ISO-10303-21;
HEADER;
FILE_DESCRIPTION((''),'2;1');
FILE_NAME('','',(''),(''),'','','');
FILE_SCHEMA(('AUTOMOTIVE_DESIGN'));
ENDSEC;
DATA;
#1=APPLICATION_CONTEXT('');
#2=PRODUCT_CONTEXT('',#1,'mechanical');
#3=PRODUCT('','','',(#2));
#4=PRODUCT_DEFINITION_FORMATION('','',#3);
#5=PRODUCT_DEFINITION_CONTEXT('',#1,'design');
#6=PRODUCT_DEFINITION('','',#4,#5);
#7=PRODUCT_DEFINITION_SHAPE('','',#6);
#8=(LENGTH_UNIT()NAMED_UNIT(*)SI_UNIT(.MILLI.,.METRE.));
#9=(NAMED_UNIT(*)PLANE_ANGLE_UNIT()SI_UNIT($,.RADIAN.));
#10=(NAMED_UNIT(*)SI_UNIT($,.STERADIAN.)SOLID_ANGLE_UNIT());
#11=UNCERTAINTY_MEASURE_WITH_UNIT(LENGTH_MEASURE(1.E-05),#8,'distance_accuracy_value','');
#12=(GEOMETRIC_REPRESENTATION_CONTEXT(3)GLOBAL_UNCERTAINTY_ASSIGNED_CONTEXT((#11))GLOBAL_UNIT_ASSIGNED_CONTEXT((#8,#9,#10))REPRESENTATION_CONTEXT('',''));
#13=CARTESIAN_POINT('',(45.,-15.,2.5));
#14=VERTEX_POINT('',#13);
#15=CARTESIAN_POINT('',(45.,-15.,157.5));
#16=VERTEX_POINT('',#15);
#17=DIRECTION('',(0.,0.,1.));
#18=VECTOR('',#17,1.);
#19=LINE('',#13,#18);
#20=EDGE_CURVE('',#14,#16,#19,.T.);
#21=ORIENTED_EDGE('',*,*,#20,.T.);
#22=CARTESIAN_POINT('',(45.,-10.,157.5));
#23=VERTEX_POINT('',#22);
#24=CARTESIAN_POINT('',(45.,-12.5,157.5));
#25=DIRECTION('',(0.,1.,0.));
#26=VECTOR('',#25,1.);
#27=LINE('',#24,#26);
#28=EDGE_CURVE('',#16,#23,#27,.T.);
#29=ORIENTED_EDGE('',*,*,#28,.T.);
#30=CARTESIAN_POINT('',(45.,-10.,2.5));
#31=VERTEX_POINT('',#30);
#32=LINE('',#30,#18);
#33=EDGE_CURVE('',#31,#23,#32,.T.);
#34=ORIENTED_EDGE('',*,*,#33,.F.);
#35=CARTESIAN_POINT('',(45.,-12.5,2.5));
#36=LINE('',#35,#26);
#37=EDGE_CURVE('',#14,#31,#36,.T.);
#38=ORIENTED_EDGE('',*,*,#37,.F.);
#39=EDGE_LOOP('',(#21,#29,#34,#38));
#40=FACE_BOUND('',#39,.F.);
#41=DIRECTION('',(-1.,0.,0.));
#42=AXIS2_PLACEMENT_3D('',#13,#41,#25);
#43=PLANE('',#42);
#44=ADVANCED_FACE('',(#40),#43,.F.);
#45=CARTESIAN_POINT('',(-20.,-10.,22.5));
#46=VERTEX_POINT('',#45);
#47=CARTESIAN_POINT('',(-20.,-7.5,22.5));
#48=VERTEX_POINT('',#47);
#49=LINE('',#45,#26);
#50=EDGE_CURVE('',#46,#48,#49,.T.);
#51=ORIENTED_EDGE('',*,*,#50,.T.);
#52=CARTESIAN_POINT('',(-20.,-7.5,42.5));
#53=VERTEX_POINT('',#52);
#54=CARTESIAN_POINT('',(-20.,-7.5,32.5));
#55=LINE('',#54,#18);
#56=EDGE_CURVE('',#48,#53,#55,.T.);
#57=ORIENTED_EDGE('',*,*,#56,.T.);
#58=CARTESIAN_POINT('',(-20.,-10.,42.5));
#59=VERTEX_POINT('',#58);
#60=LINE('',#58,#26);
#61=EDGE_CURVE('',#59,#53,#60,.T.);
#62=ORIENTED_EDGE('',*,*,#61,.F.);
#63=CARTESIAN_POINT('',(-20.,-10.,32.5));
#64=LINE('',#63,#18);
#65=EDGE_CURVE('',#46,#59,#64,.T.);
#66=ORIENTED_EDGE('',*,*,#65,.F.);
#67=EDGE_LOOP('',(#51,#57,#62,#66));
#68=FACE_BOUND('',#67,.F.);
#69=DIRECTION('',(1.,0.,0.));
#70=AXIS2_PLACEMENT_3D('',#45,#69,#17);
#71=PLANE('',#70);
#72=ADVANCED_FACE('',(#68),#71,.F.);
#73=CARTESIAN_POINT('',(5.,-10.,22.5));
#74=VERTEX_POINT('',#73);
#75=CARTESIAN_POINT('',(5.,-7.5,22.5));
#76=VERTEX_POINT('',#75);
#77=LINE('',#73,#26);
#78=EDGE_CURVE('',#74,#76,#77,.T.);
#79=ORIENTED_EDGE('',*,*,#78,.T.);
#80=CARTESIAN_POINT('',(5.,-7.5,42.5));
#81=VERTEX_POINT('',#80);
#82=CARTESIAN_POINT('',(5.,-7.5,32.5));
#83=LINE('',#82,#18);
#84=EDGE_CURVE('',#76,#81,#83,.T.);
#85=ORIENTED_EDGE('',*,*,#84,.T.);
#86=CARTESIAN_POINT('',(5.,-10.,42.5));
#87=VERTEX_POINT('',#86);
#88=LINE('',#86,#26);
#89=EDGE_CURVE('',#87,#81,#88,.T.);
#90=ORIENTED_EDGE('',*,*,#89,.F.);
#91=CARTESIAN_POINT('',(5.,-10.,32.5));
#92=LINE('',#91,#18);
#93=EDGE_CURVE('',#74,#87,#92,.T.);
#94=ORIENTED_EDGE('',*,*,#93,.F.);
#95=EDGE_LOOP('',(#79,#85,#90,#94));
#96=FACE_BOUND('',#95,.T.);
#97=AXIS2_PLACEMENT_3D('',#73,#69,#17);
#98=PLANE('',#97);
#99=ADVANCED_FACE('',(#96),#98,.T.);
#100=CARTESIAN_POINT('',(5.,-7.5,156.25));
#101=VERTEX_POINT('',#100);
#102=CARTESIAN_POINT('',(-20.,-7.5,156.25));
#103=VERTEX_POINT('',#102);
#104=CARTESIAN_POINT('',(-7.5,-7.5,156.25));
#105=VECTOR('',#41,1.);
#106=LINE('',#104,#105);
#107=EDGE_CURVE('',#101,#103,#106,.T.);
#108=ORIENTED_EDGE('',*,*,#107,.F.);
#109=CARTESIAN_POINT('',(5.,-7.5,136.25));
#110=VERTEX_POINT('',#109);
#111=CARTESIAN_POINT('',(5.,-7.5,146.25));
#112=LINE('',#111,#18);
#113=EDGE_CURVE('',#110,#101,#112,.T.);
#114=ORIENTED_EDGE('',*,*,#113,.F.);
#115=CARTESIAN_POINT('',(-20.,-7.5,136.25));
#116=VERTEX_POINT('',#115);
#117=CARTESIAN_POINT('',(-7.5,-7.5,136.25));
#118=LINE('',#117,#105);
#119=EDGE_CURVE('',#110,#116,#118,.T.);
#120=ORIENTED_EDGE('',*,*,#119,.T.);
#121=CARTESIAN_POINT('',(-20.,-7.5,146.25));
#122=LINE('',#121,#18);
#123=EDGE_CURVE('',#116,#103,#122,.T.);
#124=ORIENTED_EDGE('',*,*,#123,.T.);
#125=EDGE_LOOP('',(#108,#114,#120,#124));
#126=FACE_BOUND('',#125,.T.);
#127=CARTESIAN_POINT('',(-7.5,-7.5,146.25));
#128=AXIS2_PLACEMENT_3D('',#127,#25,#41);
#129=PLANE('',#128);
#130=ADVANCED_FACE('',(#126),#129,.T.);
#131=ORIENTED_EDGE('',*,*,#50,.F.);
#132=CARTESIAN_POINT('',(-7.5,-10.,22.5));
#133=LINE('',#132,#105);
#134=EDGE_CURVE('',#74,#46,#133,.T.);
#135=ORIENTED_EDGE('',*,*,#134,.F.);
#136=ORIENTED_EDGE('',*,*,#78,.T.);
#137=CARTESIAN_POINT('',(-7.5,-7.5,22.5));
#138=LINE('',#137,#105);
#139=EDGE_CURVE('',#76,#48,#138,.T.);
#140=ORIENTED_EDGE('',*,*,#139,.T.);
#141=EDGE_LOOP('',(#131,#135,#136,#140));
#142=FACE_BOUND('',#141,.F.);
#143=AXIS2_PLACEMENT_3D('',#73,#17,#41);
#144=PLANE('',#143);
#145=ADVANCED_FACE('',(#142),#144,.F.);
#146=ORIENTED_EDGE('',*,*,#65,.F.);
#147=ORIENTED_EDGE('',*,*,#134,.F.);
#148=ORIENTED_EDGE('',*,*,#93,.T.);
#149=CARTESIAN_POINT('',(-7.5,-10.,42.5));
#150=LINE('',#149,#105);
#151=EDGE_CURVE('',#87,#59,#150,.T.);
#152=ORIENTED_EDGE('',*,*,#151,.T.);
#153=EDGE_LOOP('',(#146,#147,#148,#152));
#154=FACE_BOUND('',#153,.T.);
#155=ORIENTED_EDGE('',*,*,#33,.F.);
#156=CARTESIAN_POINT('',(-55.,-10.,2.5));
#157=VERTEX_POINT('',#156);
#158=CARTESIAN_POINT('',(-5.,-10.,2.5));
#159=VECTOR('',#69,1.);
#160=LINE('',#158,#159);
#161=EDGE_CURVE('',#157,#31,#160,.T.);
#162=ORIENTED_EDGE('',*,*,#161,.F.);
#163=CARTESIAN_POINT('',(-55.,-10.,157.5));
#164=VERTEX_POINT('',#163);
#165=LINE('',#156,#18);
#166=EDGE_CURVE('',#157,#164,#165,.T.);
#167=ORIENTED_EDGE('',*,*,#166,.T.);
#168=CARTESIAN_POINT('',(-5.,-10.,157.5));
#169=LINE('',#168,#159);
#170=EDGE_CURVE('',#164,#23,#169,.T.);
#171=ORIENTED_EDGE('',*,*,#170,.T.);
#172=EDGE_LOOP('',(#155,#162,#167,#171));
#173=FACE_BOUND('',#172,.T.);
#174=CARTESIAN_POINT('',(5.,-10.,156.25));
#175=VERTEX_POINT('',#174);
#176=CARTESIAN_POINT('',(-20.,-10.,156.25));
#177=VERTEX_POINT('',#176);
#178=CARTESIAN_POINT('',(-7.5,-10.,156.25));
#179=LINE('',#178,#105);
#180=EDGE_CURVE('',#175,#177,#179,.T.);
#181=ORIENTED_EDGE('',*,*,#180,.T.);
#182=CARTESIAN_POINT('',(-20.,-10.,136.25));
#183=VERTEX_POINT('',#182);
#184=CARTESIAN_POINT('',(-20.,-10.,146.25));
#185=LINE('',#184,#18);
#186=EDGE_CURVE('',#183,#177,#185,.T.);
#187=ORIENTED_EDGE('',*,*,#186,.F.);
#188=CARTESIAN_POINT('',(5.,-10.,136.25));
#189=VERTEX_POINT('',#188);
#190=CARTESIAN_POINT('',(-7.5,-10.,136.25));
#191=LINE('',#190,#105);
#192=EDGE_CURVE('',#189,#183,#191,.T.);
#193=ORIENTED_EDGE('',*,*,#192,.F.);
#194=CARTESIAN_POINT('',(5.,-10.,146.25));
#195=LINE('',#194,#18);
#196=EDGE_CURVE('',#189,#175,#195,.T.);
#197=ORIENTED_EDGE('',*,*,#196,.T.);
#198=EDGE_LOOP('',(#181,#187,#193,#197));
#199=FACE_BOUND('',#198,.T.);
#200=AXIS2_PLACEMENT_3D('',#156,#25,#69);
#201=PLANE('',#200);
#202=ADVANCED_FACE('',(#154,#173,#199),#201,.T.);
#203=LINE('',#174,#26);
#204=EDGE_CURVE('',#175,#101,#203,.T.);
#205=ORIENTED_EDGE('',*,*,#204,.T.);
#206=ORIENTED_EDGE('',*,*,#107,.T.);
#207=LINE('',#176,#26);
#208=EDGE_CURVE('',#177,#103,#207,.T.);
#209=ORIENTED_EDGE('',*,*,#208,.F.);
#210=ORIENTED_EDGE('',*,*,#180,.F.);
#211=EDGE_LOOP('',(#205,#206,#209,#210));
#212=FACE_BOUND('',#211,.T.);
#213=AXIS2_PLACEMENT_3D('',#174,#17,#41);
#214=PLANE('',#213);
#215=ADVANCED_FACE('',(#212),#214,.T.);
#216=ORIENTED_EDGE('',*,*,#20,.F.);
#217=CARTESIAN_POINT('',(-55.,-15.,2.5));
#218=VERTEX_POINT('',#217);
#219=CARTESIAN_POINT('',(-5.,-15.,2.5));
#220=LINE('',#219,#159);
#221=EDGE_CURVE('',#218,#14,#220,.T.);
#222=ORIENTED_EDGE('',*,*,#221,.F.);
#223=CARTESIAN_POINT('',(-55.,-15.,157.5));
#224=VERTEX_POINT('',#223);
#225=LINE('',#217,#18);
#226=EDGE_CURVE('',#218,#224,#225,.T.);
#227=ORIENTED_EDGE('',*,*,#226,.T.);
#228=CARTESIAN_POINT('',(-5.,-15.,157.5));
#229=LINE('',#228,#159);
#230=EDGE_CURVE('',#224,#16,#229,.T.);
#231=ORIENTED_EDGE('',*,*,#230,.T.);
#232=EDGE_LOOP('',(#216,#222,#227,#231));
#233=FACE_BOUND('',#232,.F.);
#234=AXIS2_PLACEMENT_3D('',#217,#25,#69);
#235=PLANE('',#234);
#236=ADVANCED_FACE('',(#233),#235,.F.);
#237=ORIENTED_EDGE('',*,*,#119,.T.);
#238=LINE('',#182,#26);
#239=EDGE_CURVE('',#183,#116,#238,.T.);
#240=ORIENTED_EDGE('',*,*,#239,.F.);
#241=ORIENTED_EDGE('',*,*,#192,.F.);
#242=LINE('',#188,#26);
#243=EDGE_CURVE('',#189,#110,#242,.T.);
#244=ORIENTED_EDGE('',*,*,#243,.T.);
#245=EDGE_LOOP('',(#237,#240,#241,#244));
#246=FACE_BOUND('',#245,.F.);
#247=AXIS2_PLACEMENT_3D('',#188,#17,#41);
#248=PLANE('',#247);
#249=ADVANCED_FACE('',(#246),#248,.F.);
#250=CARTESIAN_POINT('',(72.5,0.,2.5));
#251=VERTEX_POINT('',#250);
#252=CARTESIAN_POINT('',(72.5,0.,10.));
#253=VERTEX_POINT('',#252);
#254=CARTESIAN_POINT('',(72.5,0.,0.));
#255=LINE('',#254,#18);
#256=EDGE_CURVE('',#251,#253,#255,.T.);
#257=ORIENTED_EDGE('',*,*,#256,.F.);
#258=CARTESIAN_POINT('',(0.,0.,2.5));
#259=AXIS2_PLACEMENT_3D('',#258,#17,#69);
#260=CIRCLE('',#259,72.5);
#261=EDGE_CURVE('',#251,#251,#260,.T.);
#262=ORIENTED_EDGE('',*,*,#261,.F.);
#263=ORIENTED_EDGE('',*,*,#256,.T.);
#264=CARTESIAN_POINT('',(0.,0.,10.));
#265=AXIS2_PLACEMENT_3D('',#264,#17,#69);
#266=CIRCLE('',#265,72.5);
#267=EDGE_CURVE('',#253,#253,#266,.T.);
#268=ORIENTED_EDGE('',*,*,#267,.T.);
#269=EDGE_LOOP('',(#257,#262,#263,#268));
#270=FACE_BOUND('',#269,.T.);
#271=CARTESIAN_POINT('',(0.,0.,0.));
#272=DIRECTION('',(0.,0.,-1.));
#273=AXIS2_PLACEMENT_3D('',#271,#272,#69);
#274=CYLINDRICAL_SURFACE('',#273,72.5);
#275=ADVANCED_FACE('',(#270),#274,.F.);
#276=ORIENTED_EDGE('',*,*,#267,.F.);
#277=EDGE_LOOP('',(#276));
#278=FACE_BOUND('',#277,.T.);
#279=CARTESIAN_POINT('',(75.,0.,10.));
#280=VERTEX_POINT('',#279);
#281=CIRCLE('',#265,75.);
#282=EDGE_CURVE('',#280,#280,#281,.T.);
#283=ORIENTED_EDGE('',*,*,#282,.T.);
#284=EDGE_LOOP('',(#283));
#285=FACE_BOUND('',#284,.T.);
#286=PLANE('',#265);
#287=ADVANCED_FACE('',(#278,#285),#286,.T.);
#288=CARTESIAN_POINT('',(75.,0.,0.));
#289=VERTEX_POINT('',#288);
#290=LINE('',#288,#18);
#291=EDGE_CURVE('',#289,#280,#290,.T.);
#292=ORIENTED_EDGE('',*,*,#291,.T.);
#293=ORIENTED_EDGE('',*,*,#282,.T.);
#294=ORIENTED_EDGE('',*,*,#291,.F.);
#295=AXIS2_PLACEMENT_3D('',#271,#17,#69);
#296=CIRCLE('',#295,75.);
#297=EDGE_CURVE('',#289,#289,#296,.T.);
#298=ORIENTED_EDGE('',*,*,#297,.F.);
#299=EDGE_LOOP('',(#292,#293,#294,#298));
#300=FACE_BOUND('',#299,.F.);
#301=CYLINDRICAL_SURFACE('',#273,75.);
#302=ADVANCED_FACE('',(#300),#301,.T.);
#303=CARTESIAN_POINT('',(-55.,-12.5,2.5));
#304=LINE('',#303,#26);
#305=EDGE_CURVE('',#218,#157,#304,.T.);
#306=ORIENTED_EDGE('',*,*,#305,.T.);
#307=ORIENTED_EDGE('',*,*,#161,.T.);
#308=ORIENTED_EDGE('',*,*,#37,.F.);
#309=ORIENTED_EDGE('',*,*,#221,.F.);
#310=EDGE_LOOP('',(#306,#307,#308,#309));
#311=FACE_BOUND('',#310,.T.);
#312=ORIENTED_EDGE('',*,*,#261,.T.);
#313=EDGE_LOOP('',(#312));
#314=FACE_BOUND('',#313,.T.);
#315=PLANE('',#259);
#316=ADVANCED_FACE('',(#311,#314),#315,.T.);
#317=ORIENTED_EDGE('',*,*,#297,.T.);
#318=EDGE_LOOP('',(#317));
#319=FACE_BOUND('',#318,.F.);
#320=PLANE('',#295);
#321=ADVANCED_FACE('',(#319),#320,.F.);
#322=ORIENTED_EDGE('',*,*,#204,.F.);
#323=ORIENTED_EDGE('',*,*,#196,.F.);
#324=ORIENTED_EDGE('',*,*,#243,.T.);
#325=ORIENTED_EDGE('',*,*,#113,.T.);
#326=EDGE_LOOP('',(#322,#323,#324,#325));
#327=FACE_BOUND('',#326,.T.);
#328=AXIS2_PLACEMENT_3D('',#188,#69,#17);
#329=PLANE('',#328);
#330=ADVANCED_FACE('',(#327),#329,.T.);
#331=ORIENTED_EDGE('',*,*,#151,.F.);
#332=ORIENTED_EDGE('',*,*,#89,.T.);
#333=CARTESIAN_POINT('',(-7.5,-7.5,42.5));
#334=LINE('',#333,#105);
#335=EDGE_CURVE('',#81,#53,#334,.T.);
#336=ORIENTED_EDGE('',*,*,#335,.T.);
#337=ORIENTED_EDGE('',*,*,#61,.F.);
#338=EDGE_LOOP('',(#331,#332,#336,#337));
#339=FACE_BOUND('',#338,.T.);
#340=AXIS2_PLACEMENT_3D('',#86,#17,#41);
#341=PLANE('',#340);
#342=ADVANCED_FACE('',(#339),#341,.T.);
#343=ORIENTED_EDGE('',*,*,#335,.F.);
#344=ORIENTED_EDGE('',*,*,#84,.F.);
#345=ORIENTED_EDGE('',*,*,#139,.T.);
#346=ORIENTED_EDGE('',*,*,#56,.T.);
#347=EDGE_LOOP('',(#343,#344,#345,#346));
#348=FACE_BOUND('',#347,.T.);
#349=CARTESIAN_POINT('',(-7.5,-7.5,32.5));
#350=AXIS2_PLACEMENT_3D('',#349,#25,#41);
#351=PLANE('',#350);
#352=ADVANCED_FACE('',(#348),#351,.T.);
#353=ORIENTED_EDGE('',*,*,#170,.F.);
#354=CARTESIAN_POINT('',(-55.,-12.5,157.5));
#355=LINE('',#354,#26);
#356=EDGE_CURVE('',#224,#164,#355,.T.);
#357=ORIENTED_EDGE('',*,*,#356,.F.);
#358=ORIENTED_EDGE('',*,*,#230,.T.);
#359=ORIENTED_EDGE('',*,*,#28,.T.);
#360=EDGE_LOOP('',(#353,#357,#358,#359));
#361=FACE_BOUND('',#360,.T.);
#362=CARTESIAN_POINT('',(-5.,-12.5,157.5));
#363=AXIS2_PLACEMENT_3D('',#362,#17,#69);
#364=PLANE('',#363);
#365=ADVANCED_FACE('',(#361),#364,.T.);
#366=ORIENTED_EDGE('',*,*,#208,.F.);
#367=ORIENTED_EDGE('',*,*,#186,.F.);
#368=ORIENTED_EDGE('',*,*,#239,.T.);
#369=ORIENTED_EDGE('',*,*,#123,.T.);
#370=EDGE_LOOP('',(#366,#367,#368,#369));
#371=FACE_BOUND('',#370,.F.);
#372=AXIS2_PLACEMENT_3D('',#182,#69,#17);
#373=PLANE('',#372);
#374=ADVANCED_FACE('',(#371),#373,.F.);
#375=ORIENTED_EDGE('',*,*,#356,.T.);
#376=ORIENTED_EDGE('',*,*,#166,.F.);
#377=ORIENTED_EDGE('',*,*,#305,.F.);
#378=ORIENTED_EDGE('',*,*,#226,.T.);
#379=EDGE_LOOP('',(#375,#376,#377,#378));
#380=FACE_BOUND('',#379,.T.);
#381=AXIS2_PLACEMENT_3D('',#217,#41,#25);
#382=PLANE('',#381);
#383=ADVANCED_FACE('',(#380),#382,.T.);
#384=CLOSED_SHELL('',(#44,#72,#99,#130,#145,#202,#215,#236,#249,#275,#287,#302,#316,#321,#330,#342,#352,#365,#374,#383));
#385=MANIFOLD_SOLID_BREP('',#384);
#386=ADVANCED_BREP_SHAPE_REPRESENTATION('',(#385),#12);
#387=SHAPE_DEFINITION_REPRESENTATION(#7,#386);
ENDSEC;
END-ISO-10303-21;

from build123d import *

# Parameters (mm, degrees)
F0_R     = 75
F0_R_2   = 72.5
F1_DEPTH = 10
F2_DEPTH = 2.5
F3_W     = 100
F3_H     = 5
F4_DEPTH = 155
F5_W     = 25
F5_H     = 20
F6_DEPTH = 2.5
F7_W     = 25
F7_H     = 20
F8_DEPTH = 2.5


with BuildPart() as f1:
    # F0 (on Top) → F1 (new body)
    with BuildSketch(Plane.XY):
        Circle(F0_R)
        Circle(F0_R_2, mode=Mode.SUBTRACT)
    extrude(amount=F1_DEPTH)

    # F0 (on Top) → F2 (join)
    with BuildSketch(Plane.XY):
        Circle(F0_R_2)
    extrude(amount=F2_DEPTH)

    # F3 (on face) → F4 (join)
    with BuildSketch(Plane.XY.offset(2.5)):
        with Locations((-5, -12.5)):
            Rectangle(F3_W, F3_H)
    extrude(amount=F4_DEPTH)

    # F5 (on face) → F6 (join)
    with BuildSketch(Plane(origin=(0, -10, 0), x_dir=(-1, 0, 0), z_dir=(0, 1, 0))):
        with Locations((7.5, 32.5)):
            Rectangle(F5_W, F5_H)
    extrude(amount=F6_DEPTH)

    # F7 (on face) → F8 (join)
    with BuildSketch(Plane(origin=(0, -10, 0), x_dir=(-1, 0, 0), z_dir=(0, 1, 0))):
        with Locations((7.5, 146.25)):
            Rectangle(F7_W, F7_H)
    extrude(amount=F8_DEPTH)


solid = f1.part
